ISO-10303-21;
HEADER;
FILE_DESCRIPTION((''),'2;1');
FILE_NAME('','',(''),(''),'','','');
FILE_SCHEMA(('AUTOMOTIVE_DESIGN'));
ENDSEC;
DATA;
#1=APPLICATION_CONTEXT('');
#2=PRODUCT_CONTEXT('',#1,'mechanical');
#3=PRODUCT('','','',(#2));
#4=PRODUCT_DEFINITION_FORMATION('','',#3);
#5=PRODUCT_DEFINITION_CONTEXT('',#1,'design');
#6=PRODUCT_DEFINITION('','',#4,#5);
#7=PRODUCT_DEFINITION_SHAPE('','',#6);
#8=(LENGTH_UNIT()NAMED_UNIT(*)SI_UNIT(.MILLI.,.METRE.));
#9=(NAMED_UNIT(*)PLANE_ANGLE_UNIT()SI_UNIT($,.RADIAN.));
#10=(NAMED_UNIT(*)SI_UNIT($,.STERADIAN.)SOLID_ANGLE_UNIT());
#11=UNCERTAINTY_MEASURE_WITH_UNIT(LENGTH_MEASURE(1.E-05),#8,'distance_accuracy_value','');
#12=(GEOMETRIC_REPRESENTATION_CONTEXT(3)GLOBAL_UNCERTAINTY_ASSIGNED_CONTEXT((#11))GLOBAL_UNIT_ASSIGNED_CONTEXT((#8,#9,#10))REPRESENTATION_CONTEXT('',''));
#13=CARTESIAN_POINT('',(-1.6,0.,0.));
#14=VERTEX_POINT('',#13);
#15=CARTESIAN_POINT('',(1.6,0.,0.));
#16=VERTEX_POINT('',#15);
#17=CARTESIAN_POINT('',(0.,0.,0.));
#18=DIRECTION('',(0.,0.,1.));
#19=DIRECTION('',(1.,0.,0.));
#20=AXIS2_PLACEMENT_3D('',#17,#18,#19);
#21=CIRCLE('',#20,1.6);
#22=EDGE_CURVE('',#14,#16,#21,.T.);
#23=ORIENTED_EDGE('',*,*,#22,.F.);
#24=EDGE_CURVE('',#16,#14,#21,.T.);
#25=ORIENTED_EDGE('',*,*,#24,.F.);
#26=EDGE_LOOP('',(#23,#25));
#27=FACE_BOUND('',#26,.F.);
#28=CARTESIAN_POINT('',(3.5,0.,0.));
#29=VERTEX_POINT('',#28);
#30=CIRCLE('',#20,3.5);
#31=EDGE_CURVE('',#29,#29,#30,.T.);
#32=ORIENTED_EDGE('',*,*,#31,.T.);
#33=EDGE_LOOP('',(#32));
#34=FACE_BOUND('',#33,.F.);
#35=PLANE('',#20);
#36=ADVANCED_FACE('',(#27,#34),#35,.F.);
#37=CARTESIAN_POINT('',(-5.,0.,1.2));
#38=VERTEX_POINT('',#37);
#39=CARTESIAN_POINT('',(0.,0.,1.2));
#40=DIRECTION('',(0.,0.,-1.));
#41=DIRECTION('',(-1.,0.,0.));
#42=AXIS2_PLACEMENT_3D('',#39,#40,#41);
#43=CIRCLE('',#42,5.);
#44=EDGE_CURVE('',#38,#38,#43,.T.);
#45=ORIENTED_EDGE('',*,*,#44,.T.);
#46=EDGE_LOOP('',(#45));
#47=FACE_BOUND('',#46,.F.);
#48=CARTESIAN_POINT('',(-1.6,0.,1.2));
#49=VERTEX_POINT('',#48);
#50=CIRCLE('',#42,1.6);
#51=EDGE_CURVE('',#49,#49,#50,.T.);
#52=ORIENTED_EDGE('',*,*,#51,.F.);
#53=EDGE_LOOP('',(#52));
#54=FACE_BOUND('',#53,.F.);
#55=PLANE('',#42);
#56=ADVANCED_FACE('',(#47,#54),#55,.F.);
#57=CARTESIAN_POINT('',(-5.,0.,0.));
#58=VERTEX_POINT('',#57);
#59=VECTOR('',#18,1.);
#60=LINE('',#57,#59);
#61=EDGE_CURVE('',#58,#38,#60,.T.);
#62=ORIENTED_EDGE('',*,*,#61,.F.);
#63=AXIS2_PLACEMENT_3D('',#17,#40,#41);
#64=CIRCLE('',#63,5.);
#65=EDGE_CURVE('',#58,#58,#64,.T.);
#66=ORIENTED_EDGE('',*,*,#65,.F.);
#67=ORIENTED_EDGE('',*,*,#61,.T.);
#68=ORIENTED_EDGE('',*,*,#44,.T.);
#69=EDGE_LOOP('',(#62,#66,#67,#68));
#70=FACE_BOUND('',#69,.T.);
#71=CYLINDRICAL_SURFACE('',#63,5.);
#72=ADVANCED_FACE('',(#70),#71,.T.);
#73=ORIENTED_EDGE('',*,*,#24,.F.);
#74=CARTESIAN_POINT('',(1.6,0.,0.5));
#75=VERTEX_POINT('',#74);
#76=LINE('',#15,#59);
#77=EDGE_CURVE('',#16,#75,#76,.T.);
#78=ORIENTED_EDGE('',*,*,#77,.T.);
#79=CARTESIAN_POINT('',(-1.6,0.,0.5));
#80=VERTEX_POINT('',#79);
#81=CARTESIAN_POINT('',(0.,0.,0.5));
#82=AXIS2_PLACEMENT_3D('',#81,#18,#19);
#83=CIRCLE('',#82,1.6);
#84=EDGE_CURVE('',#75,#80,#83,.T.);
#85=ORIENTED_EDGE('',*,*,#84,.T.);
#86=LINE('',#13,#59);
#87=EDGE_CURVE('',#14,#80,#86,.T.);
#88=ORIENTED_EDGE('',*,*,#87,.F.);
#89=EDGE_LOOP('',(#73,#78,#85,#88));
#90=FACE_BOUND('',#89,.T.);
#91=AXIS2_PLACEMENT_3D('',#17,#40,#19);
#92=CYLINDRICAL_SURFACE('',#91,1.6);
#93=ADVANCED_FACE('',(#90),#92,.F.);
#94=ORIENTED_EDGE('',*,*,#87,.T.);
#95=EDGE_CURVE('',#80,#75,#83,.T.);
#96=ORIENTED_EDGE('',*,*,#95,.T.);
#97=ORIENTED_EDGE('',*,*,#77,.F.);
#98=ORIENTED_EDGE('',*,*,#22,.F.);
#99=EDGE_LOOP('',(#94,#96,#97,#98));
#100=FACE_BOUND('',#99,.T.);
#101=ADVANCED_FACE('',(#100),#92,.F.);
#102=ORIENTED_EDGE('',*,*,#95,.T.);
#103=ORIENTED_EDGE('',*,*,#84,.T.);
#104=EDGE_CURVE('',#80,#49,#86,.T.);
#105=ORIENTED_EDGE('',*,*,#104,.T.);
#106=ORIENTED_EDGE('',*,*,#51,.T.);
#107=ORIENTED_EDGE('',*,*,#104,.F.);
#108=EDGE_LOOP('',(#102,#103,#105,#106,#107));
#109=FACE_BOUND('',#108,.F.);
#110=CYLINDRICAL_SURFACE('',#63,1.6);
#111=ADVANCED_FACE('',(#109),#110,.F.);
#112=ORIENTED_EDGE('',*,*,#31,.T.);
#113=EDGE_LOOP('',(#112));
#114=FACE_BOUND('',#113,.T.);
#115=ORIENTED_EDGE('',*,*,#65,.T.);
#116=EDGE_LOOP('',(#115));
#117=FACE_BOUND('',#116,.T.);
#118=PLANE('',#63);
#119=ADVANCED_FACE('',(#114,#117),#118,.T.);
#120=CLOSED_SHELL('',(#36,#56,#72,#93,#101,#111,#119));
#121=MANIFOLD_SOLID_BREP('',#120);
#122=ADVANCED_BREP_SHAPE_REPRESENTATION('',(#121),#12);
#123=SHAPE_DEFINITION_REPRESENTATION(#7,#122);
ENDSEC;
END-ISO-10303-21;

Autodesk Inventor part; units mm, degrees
ref_plane "YZ Plane" through (0, 0, 0) normal (1, 0, 0) x (0, 1, 0)
ref_plane "XZ Plane" through (0, 0, 0) normal (0, 1, 0) x (-1, 0, 0)
ref_plane "XY Plane" through (0, 0, 0) normal (0, 0, 1) x (1, 0, 0)
sketch "スケッチ1" plane through (0, 0, 0) normal (0, 0, 1) x (1, 0, 0)
  circle A0 centre (0, 0) radius 1.6
  circle A1 centre (0, 0) radius 3.5
  dimension "d0" = 3.2
  dimension "d1" = 7
extrude "押し出し1" add sketch "スケッチ1" along normal blind 0.5
sketch "スケッチ2" plane through (0, 0, 0) normal (0, 0, -1) x (-1, 0, 0)
  circle A0 centre (0, 0) radius 5
  circle A1 centre (0, 0) radius 1.6
  dimension "d4" = 10
  dimension "d5" = 3.2
extrude "押し出し2" add sketch "スケッチ2" against normal blind 1.2
properties part number "RD020_ワッシャ"
